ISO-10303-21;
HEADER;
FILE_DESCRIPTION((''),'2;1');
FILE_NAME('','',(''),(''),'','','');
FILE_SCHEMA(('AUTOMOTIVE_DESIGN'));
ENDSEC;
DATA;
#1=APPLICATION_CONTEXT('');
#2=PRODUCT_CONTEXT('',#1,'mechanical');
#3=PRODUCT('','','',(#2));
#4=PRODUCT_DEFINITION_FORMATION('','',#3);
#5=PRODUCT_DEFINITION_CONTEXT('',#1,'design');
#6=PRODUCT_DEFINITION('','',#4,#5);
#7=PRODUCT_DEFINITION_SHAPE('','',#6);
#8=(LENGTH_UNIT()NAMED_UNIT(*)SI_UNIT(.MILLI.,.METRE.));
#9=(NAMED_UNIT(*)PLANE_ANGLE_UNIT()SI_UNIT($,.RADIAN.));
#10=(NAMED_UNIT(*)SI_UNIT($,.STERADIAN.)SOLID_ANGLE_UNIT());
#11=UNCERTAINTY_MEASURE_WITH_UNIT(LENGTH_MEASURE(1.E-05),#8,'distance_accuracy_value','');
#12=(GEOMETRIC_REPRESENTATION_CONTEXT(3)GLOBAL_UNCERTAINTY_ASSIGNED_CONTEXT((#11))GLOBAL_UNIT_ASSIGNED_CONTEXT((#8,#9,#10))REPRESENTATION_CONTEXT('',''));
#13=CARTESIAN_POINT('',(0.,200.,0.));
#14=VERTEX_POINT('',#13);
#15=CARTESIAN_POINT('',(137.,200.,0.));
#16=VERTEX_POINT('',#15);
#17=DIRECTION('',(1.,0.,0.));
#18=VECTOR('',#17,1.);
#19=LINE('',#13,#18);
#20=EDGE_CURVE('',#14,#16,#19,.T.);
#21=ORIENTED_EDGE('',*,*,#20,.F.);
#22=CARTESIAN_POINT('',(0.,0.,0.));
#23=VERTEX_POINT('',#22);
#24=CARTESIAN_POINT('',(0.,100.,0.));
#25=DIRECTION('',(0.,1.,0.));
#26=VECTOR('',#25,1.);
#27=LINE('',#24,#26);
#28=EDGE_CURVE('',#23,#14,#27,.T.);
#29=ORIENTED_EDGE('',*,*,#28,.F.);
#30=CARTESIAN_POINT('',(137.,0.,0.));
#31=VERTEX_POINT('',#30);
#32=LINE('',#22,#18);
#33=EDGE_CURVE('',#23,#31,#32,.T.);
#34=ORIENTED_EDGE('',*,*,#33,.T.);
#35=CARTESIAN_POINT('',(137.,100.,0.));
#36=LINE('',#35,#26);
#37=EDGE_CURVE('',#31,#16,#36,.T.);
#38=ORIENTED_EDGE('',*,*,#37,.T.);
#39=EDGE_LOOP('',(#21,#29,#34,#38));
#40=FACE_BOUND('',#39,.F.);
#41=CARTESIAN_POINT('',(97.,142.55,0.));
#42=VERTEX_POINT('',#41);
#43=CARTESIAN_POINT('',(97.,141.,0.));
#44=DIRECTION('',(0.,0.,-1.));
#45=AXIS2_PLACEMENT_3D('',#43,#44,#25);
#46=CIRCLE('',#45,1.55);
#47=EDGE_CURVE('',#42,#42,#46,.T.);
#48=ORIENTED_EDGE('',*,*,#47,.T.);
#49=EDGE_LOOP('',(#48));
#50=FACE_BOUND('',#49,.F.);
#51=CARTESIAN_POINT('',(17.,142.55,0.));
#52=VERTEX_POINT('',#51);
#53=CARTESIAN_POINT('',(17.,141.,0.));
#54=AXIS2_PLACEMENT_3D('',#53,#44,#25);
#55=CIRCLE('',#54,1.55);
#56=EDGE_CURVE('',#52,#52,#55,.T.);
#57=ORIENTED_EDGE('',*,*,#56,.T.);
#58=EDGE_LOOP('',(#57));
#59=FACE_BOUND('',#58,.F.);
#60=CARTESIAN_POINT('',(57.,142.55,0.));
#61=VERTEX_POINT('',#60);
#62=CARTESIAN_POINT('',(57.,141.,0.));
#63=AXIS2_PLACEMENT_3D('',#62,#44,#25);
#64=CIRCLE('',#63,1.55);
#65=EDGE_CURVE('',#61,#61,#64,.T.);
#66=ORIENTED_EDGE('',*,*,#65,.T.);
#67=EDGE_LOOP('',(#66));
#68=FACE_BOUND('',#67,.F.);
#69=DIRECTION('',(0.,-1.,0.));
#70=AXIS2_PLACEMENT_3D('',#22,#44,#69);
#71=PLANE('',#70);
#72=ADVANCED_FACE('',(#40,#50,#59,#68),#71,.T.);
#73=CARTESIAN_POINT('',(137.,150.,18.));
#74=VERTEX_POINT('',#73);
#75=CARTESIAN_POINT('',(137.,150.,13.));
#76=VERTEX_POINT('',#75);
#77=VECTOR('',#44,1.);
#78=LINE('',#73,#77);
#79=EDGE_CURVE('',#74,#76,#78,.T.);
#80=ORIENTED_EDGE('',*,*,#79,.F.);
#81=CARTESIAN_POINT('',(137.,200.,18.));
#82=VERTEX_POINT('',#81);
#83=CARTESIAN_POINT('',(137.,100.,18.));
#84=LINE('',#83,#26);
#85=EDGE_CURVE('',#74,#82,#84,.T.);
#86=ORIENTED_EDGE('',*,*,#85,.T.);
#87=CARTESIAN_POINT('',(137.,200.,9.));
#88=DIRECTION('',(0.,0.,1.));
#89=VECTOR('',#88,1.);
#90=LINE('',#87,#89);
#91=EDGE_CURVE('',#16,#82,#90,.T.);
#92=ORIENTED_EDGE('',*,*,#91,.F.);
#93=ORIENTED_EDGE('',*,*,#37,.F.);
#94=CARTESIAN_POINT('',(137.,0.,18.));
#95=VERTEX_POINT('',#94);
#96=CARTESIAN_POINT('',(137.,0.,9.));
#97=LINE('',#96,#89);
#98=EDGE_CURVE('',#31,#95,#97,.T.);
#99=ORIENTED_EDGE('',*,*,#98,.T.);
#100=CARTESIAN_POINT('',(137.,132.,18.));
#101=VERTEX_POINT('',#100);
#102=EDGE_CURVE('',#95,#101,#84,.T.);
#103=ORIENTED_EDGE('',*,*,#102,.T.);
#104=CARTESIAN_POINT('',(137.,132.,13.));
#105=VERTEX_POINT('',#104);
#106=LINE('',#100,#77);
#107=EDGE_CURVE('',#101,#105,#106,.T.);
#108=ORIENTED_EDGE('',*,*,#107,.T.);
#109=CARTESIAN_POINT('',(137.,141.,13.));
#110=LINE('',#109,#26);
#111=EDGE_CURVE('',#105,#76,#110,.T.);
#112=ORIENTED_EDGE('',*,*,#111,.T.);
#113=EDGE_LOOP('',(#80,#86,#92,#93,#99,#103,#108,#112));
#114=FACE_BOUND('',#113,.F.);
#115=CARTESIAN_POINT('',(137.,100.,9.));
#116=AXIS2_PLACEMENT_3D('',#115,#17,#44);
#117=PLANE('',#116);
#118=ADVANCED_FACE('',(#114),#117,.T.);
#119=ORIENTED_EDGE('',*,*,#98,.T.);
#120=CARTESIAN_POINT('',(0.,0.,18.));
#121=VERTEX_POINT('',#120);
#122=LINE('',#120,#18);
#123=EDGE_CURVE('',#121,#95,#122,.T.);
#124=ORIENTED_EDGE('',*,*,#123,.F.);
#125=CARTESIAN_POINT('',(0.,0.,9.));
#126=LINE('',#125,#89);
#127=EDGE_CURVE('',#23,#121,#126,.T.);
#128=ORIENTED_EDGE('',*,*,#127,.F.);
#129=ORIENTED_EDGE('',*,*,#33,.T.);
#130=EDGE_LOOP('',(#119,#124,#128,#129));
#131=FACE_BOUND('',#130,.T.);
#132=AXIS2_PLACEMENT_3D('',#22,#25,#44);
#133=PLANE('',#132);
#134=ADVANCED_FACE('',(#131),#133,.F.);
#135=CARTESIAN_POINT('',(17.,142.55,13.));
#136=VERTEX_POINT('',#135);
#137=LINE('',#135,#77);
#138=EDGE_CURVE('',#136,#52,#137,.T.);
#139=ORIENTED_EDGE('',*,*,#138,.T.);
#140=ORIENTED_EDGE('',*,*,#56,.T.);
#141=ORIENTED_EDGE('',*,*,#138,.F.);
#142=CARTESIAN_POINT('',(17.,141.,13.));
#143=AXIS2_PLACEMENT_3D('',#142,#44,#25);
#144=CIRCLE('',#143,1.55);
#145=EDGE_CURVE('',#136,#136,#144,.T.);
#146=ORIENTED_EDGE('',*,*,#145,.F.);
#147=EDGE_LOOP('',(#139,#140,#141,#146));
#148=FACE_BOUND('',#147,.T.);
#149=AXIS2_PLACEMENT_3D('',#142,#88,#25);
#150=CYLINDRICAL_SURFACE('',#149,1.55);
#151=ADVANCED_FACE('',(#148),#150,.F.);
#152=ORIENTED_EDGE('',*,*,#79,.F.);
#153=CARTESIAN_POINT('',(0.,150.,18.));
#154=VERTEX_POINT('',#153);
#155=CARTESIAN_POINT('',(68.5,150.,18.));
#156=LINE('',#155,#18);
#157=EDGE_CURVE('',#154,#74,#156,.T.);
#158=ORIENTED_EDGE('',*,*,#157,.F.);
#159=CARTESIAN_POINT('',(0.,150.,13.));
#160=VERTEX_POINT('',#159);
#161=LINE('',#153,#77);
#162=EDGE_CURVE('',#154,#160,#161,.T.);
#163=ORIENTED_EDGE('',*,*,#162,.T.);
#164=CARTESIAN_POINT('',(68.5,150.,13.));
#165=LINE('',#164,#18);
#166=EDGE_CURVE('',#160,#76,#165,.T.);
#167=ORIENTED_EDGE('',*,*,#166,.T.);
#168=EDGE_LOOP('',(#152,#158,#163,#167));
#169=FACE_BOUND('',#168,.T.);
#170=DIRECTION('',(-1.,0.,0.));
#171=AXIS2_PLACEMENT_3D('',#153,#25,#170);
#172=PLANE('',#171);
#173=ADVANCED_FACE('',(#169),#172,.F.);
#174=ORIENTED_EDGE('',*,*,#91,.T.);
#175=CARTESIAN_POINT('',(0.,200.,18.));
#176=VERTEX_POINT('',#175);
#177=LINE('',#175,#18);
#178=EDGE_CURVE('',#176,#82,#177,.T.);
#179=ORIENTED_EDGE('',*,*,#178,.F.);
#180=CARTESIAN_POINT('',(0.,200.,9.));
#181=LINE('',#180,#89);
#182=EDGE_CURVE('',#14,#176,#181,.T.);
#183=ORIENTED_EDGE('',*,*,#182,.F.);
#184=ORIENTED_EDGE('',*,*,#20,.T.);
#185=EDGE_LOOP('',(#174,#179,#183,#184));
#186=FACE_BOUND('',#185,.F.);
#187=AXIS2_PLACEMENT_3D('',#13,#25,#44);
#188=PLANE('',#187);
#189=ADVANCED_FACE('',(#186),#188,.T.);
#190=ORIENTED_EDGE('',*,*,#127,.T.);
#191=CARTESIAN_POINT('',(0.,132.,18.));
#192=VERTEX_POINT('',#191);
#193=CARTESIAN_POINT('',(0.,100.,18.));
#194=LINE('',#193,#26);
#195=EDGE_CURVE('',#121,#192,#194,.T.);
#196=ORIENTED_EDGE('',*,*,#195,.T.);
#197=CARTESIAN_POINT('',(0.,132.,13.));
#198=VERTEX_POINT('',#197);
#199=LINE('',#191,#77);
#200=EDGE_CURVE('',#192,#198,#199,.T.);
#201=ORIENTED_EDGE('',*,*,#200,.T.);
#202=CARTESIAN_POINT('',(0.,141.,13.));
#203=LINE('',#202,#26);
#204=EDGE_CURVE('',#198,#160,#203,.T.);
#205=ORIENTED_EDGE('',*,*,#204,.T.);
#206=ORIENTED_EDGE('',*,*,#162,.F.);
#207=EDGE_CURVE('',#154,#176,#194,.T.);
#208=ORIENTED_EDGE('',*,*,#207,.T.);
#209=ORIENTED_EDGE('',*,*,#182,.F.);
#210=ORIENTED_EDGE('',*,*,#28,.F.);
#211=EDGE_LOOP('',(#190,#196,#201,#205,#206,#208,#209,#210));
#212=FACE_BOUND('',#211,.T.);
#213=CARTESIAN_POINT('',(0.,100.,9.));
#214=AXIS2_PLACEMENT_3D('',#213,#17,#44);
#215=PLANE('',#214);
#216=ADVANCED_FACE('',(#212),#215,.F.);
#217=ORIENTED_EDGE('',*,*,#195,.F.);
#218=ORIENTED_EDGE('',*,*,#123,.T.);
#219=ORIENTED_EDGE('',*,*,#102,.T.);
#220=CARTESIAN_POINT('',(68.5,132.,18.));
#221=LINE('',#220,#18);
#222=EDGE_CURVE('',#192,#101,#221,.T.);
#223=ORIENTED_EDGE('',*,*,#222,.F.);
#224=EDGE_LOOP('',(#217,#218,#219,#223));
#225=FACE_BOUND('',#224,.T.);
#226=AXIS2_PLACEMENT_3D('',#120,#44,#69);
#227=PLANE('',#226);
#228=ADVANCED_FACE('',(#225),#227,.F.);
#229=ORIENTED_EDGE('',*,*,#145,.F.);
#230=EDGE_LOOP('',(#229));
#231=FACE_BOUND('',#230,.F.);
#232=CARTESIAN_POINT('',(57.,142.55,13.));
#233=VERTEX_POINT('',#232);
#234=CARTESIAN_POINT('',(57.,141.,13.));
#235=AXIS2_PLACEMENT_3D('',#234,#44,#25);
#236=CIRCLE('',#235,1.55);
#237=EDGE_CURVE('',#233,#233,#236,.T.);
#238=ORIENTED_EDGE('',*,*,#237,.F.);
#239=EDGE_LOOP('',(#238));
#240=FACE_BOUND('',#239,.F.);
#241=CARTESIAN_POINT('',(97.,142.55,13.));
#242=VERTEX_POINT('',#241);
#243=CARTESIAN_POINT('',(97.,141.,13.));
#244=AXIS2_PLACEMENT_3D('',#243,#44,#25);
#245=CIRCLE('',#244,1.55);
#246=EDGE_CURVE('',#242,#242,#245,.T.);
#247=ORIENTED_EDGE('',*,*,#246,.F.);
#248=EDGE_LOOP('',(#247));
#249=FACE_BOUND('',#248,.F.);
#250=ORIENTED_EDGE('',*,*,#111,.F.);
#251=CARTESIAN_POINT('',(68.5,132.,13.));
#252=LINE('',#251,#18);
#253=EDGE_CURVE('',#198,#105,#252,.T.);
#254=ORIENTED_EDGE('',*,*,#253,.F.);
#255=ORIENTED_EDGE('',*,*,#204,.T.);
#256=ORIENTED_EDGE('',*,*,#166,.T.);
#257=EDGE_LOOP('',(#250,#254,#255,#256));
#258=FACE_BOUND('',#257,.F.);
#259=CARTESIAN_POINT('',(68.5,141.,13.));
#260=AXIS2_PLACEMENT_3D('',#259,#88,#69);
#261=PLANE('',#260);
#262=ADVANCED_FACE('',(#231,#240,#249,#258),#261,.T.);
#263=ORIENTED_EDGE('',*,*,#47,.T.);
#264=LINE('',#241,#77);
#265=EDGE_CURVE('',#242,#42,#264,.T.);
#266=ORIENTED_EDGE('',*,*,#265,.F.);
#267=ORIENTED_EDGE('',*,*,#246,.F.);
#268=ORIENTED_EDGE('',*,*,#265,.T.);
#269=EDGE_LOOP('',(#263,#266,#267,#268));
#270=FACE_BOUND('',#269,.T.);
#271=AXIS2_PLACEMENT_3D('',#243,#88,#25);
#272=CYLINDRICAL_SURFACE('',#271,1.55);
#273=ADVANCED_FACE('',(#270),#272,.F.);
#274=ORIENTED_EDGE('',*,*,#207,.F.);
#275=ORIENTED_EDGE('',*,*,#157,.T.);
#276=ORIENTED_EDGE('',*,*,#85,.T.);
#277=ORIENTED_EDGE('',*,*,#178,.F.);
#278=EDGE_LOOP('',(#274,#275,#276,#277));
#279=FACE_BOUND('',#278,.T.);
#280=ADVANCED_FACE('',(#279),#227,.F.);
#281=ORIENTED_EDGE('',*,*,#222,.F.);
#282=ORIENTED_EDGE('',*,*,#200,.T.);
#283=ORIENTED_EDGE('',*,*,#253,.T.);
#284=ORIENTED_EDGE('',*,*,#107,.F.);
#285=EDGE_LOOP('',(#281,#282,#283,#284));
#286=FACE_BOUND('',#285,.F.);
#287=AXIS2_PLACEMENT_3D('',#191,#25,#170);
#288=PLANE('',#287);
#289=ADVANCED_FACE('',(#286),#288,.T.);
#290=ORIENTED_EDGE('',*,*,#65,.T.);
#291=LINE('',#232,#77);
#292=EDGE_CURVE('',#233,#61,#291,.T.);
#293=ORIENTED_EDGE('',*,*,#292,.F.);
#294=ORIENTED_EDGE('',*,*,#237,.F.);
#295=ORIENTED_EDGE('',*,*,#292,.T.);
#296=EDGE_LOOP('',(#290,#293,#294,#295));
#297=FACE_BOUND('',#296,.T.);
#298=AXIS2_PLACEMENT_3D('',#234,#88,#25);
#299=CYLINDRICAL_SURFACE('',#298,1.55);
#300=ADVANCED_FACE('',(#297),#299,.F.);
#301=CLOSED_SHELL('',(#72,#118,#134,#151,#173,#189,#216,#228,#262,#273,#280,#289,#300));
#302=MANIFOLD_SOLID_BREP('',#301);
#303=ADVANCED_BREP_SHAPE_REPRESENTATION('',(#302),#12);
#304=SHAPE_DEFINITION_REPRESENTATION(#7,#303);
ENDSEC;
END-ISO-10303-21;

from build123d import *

# Parameters (mm, degrees)
BOX_W                    = 18
BOX_H                    = 200
BOX_DEPTH                = 137
SKETCH001_W              = 18
SKETCH001_H              = 137
POCKET001_DEPTH          = 5
SKETCH003_R              = 1.55
HOLE_DEPTH               = 13.001
CLONE003_PLACEMENT_ANGLE = 90


with BuildPart() as body002:
    # Box → Box (new body)
    with BuildSketch(Plane.XY):
        with Locations((9, 100)):
            Rectangle(BOX_W, BOX_H)
    extrude(amount=BOX_DEPTH)

    # Sketch001 (on Face2 of BaseFeature001) → Pocket001 (cut)
    with BuildSketch(Plane.YZ.offset(18)):
        with Locations((141, 68.5)):
            Rectangle(SKETCH001_W, SKETCH001_H)
    extrude(amount=-POCKET001_DEPTH, mode=Mode.SUBTRACT)

    # Sketch003 (on Face9 of Pocket001) → Hole (cut, through all)
    with BuildSketch(Plane.YZ.offset(13)):
        with Locations((141, 97)):
            Circle(SKETCH003_R)
        with Locations((141, 57)):
            Circle(SKETCH003_R)
        with Locations((141, 17)):
            Circle(SKETCH003_R)
    extrude(amount=-HOLE_DEPTH, mode=Mode.SUBTRACT)


with BuildPart() as rightleg_cnc:
    # Part__Mirroring: instance of Body002
    add(body002.part.mirror(Plane(origin=(0, 0, 0), x_dir=(0, -1, 0), z_dir=(1, 0, 0))))


with BuildPart() as rightleg_cnc_1:
    # Part__Mirroring placement: moved
    add(rightleg_cnc.part.moved(Location((350, 0, 0))))


with BuildPart() as rightleg_cnc_2:
    # Clone003 placement: moved
    add(rightleg_cnc_1.part.moved(Location((0, 0, 350))).rotate(Axis((0, 0, 350), (0, 1, 0)), CLONE003_PLACEMENT_ANGLE))


solid = rightleg_cnc_2.part
